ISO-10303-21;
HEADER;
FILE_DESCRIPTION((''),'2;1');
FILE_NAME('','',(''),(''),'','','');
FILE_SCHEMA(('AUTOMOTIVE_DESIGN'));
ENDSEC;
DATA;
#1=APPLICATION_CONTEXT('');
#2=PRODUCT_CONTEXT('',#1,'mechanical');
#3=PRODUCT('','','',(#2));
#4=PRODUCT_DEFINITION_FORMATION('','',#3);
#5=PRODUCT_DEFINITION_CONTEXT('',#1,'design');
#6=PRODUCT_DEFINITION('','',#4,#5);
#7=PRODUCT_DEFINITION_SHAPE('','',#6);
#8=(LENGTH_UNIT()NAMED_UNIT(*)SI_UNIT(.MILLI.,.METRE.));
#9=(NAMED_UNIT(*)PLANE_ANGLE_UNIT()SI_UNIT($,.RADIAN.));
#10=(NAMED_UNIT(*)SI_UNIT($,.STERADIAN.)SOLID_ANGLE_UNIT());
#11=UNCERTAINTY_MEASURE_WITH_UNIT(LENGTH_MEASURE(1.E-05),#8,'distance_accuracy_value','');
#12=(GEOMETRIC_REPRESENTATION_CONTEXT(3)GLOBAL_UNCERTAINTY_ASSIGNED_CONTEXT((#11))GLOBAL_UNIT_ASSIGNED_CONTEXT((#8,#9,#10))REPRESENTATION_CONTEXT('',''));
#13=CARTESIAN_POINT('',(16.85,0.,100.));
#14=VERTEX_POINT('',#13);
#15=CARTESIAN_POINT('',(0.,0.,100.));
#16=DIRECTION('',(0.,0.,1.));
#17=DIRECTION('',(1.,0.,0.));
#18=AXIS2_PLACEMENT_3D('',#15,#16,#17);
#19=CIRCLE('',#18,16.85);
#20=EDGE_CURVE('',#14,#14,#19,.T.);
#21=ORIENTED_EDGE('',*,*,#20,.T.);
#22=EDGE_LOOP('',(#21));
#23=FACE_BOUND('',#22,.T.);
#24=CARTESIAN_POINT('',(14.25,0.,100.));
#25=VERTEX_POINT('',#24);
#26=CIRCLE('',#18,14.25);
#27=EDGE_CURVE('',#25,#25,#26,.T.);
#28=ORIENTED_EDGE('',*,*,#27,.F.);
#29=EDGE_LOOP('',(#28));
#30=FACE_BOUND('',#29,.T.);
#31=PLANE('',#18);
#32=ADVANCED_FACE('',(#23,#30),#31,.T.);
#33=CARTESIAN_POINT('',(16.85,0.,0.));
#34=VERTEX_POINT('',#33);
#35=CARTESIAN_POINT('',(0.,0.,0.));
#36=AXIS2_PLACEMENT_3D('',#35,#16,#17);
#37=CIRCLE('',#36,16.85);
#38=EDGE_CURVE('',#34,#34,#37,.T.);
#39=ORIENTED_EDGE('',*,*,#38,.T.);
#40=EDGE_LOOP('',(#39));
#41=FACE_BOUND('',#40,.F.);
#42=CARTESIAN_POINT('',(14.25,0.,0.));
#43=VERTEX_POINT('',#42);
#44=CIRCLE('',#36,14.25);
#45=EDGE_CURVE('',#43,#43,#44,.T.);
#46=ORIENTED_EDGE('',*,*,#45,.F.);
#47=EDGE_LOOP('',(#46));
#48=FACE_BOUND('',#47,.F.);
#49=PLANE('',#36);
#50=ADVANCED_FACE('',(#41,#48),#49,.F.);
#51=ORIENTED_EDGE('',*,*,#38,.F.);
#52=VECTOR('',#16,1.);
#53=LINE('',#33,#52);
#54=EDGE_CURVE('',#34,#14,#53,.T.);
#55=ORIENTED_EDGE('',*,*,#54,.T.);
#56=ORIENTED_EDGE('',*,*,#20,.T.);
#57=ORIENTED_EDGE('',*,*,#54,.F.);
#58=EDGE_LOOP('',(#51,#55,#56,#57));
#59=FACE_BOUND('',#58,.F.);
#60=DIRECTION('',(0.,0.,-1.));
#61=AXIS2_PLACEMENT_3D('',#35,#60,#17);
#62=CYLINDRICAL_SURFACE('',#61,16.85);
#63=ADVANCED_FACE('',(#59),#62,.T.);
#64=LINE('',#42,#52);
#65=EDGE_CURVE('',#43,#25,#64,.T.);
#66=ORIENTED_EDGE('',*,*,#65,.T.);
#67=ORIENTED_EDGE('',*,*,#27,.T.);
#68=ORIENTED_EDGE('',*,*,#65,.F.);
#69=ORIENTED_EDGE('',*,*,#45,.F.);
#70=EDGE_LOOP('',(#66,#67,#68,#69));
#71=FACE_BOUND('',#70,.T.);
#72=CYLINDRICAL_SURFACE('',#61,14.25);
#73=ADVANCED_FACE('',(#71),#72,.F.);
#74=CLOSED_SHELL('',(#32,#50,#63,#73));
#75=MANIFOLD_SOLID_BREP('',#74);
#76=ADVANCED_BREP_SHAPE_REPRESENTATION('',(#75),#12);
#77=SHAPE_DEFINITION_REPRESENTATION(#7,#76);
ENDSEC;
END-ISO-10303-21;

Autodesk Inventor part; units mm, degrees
ref_plane "YZ Plane" through (0, 0, 0) normal (1, 0, 0) x (0, 1, 0)
ref_plane "Start Plane" through (0, 0, 0) normal (0, 0, 1) x (1, 0, 0)
ref_plane "End Plane" through (0, 0, 100) normal (0, 0, 1) x (1, 0, 0)
sketch "Sketch" plane through (0, 0, 0) normal (0, 0, 1) x (1, 0, 0)
  circle A0 centre (0, 0) radius 14.25
  circle A1 centre (0, 0) radius 16.85
  dimension "d0" = 33.7
  dimension "d1" = 2.6
extrude "Body" add sketch "Sketch" along normal up to surface (100 mm away) from surface at 0
sketch "Sketch3" plane through (0, 0, 0) normal (0, 0, 1) x (1, 0, 0)
  line L0 (0, 0) -> (10, 0)
ref_plane "Work Plane3" through (0, 0, 0) normal (0, -1, 0) x (1, 0, 0)
sketch "Sketch4" plane through (0, 0, 0) normal (0, -1, 0) x (1, 0, 0)
  line L0 (-2, 0) -> (12, 0)
  line L1 (-2, 100) -> (12, 100)
  dimension "d7" = 100
equation "\"d0\" = G_H"
equation "\"d1\" = G_T"
equation "\"d2\" = G_L"
equation "\"G_H\" = 33.7"
equation "\"G_T\" = 2.6"
equation "\"G_L\" = d7"
equation "\"G_OFFSET_START\" = 0"
equation "\"G_OFFSET_END\" = 0"
properties part number "ISO 12633-2 - 33.7 x 2.6 - 100" material "Steel, Mild"
